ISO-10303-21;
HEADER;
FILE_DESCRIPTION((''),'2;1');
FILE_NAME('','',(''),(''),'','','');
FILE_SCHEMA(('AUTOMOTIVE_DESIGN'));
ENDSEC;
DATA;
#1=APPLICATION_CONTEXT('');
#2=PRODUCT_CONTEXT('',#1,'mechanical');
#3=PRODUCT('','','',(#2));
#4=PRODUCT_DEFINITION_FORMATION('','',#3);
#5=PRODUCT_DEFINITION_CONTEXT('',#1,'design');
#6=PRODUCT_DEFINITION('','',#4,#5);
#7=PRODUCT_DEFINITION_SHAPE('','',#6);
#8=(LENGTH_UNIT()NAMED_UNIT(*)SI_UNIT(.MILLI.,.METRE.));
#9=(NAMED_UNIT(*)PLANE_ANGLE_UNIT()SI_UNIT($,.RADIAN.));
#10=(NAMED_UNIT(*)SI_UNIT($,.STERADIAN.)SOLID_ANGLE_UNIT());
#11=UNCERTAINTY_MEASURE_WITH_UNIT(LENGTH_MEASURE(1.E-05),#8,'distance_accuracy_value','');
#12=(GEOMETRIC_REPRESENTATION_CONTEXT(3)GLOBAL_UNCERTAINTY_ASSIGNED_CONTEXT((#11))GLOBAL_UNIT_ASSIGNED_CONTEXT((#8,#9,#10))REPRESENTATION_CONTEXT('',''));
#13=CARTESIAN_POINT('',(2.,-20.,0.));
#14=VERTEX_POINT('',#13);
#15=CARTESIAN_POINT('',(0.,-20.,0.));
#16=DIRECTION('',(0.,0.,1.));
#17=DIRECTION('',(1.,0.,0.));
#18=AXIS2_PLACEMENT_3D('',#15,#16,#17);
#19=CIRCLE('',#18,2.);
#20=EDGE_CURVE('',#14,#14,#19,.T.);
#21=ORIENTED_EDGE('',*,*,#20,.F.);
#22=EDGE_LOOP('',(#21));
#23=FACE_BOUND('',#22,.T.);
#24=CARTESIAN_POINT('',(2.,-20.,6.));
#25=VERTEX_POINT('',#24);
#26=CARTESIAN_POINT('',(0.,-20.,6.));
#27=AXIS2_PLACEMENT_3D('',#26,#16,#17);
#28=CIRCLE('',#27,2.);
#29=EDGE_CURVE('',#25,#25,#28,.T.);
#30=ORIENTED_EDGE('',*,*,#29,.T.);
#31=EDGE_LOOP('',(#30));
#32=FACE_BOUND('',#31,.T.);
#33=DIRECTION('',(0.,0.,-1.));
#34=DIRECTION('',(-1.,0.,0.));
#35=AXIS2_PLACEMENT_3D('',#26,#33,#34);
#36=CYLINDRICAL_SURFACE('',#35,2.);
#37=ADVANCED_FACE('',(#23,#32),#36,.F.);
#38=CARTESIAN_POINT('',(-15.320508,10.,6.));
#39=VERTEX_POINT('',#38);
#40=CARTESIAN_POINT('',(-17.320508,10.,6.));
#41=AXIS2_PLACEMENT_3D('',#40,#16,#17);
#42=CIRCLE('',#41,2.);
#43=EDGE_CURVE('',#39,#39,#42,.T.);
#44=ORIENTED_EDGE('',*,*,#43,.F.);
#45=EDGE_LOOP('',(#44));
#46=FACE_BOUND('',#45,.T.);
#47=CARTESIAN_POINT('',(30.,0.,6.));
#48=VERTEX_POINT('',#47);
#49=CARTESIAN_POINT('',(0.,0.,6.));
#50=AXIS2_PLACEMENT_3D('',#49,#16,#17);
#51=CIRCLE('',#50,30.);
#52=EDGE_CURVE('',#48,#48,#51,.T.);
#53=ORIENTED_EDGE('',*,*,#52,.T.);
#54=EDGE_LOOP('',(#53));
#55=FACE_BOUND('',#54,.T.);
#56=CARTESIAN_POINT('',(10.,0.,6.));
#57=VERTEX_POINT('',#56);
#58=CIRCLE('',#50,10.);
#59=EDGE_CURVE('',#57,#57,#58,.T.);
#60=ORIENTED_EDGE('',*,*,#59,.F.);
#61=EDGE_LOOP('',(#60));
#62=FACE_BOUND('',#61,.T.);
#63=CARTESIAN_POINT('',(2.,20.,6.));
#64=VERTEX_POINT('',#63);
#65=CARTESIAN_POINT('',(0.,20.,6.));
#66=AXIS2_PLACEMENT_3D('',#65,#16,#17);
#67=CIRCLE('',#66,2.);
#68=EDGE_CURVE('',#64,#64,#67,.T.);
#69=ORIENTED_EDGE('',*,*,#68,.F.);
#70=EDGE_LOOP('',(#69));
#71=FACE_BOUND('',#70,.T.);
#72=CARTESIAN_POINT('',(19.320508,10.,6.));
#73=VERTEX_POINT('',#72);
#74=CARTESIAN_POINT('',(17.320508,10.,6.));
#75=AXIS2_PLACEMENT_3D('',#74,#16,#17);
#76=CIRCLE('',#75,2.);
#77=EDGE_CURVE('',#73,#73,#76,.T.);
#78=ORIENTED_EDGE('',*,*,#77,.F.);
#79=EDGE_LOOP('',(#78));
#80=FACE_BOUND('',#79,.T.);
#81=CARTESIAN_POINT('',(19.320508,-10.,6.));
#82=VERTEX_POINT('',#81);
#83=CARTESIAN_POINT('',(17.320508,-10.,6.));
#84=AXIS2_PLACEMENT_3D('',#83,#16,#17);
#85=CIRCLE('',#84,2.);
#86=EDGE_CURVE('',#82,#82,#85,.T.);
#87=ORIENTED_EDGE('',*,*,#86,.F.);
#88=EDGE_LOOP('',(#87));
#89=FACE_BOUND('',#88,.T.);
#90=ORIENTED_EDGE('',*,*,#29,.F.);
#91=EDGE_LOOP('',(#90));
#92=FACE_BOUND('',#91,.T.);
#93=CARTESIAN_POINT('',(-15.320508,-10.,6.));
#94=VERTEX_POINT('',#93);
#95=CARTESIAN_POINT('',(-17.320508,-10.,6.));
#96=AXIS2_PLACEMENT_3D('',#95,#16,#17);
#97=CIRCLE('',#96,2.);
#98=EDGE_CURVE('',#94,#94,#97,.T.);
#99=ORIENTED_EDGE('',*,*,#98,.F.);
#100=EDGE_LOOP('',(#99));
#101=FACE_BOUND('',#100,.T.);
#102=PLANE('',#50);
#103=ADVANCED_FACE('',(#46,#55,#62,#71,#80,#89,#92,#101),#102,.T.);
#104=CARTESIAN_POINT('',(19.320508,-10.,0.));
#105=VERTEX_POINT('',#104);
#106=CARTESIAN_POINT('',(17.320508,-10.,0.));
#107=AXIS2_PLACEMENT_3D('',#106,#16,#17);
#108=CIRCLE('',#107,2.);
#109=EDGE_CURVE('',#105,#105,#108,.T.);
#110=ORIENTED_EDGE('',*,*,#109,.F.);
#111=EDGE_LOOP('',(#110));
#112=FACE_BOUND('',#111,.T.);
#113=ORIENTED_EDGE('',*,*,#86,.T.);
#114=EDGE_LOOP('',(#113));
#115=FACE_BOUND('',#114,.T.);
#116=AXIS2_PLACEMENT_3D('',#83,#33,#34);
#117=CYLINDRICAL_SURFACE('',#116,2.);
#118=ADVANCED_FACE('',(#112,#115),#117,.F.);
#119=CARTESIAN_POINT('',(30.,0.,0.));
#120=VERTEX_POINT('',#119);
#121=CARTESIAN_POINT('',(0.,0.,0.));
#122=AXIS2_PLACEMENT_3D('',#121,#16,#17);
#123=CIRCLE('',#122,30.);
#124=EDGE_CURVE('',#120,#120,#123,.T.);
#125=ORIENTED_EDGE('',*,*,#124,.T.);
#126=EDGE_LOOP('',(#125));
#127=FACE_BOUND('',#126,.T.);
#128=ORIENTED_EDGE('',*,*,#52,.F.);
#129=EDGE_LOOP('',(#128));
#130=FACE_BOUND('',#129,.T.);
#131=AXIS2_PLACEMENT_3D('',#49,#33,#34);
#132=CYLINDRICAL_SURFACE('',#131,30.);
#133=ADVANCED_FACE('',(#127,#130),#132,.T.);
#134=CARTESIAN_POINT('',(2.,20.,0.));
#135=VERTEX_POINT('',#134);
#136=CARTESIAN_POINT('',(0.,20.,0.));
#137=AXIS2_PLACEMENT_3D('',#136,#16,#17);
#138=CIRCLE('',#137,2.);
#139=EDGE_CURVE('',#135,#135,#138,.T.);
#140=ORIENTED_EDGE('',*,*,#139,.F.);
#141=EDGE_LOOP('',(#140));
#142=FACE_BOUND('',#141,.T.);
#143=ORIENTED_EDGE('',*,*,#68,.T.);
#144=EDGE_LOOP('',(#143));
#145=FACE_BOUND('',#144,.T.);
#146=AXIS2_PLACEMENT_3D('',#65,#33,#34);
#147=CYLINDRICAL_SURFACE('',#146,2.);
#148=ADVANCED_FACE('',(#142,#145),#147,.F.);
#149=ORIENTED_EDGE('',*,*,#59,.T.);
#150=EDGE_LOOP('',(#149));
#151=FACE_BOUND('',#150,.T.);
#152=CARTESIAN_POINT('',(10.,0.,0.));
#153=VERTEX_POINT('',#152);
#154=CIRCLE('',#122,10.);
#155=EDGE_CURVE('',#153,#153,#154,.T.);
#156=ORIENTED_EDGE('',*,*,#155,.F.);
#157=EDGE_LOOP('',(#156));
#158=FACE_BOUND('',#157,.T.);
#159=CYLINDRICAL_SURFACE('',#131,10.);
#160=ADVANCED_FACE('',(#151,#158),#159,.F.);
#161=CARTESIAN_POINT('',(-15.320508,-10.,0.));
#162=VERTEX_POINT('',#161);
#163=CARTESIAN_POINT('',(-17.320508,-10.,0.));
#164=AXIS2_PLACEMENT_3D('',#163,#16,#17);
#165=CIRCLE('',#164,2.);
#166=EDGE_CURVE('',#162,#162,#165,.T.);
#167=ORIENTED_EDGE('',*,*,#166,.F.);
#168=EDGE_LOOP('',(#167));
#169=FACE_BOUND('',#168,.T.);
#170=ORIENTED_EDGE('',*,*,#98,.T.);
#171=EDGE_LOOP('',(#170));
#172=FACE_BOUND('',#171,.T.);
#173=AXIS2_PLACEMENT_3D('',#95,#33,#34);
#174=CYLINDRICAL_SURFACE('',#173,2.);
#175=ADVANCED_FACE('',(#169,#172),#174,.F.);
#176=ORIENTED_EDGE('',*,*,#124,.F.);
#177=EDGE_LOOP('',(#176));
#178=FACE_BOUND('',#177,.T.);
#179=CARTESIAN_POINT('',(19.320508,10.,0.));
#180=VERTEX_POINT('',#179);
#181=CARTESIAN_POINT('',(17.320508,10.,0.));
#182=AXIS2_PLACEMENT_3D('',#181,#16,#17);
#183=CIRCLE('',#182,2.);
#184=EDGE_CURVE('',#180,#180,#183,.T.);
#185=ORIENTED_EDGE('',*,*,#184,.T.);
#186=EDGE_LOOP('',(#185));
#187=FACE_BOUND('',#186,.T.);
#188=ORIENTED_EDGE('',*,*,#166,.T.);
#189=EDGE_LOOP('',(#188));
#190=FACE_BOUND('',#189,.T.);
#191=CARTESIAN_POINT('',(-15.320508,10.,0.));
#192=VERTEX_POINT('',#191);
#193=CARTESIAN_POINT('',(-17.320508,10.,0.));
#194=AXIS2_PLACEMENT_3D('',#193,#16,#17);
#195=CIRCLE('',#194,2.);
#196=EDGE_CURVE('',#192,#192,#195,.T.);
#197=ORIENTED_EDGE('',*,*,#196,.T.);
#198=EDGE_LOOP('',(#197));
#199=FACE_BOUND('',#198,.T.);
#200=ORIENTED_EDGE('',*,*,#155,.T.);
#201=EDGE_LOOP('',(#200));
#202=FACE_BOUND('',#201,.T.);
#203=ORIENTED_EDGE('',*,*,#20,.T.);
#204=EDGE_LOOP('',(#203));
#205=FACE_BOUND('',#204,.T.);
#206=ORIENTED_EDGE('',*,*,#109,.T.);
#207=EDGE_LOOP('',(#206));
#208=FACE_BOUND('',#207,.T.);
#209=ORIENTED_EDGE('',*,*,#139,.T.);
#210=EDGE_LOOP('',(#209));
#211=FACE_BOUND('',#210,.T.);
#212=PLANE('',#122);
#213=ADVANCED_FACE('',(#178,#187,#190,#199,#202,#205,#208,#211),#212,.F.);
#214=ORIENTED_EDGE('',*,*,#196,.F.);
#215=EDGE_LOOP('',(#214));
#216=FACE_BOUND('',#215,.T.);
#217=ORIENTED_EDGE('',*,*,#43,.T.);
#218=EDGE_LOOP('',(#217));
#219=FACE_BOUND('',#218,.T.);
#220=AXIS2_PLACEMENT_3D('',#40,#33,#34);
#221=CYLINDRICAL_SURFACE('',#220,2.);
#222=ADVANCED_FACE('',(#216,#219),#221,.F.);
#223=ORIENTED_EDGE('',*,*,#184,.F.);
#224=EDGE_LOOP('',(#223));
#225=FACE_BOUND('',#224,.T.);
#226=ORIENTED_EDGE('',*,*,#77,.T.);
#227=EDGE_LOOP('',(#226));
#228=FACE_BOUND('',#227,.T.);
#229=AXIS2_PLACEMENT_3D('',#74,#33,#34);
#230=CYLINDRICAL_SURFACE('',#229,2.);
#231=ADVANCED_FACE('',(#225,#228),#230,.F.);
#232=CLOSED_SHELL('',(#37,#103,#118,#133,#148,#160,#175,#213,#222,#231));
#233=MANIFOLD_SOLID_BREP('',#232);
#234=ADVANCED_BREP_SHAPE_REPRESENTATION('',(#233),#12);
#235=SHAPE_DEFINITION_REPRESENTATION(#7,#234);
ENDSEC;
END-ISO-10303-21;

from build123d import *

# Parameters (mm, degrees)
SKETCH1_R           = 30
SKETCH1_R_2         = 10
SKETCH1_R_3         = 2
BOSS_EXTRUDE1_DEPTH = 6


with BuildPart() as part:
    # Sketch1 → Boss-Extrude1 (new body)
    with BuildSketch(Plane.XY):
        Circle(SKETCH1_R)
        Circle(SKETCH1_R_2, mode=Mode.SUBTRACT)
        with Locations((0, 20)):
            Circle(SKETCH1_R_3, mode=Mode.SUBTRACT)
        with Locations((17.320508076, 10)):
            Circle(SKETCH1_R_3, mode=Mode.SUBTRACT)
        with Locations((17.320508076, -10)):
            Circle(SKETCH1_R_3, mode=Mode.SUBTRACT)
        with Locations((0, -20)):
            Circle(SKETCH1_R_3, mode=Mode.SUBTRACT)
        with Locations((-17.320508076, -10)):
            Circle(SKETCH1_R_3, mode=Mode.SUBTRACT)
        with Locations((-17.320508076, 10)):
            Circle(SKETCH1_R_3, mode=Mode.SUBTRACT)
    extrude(amount=BOSS_EXTRUDE1_DEPTH)


solid = part.part
